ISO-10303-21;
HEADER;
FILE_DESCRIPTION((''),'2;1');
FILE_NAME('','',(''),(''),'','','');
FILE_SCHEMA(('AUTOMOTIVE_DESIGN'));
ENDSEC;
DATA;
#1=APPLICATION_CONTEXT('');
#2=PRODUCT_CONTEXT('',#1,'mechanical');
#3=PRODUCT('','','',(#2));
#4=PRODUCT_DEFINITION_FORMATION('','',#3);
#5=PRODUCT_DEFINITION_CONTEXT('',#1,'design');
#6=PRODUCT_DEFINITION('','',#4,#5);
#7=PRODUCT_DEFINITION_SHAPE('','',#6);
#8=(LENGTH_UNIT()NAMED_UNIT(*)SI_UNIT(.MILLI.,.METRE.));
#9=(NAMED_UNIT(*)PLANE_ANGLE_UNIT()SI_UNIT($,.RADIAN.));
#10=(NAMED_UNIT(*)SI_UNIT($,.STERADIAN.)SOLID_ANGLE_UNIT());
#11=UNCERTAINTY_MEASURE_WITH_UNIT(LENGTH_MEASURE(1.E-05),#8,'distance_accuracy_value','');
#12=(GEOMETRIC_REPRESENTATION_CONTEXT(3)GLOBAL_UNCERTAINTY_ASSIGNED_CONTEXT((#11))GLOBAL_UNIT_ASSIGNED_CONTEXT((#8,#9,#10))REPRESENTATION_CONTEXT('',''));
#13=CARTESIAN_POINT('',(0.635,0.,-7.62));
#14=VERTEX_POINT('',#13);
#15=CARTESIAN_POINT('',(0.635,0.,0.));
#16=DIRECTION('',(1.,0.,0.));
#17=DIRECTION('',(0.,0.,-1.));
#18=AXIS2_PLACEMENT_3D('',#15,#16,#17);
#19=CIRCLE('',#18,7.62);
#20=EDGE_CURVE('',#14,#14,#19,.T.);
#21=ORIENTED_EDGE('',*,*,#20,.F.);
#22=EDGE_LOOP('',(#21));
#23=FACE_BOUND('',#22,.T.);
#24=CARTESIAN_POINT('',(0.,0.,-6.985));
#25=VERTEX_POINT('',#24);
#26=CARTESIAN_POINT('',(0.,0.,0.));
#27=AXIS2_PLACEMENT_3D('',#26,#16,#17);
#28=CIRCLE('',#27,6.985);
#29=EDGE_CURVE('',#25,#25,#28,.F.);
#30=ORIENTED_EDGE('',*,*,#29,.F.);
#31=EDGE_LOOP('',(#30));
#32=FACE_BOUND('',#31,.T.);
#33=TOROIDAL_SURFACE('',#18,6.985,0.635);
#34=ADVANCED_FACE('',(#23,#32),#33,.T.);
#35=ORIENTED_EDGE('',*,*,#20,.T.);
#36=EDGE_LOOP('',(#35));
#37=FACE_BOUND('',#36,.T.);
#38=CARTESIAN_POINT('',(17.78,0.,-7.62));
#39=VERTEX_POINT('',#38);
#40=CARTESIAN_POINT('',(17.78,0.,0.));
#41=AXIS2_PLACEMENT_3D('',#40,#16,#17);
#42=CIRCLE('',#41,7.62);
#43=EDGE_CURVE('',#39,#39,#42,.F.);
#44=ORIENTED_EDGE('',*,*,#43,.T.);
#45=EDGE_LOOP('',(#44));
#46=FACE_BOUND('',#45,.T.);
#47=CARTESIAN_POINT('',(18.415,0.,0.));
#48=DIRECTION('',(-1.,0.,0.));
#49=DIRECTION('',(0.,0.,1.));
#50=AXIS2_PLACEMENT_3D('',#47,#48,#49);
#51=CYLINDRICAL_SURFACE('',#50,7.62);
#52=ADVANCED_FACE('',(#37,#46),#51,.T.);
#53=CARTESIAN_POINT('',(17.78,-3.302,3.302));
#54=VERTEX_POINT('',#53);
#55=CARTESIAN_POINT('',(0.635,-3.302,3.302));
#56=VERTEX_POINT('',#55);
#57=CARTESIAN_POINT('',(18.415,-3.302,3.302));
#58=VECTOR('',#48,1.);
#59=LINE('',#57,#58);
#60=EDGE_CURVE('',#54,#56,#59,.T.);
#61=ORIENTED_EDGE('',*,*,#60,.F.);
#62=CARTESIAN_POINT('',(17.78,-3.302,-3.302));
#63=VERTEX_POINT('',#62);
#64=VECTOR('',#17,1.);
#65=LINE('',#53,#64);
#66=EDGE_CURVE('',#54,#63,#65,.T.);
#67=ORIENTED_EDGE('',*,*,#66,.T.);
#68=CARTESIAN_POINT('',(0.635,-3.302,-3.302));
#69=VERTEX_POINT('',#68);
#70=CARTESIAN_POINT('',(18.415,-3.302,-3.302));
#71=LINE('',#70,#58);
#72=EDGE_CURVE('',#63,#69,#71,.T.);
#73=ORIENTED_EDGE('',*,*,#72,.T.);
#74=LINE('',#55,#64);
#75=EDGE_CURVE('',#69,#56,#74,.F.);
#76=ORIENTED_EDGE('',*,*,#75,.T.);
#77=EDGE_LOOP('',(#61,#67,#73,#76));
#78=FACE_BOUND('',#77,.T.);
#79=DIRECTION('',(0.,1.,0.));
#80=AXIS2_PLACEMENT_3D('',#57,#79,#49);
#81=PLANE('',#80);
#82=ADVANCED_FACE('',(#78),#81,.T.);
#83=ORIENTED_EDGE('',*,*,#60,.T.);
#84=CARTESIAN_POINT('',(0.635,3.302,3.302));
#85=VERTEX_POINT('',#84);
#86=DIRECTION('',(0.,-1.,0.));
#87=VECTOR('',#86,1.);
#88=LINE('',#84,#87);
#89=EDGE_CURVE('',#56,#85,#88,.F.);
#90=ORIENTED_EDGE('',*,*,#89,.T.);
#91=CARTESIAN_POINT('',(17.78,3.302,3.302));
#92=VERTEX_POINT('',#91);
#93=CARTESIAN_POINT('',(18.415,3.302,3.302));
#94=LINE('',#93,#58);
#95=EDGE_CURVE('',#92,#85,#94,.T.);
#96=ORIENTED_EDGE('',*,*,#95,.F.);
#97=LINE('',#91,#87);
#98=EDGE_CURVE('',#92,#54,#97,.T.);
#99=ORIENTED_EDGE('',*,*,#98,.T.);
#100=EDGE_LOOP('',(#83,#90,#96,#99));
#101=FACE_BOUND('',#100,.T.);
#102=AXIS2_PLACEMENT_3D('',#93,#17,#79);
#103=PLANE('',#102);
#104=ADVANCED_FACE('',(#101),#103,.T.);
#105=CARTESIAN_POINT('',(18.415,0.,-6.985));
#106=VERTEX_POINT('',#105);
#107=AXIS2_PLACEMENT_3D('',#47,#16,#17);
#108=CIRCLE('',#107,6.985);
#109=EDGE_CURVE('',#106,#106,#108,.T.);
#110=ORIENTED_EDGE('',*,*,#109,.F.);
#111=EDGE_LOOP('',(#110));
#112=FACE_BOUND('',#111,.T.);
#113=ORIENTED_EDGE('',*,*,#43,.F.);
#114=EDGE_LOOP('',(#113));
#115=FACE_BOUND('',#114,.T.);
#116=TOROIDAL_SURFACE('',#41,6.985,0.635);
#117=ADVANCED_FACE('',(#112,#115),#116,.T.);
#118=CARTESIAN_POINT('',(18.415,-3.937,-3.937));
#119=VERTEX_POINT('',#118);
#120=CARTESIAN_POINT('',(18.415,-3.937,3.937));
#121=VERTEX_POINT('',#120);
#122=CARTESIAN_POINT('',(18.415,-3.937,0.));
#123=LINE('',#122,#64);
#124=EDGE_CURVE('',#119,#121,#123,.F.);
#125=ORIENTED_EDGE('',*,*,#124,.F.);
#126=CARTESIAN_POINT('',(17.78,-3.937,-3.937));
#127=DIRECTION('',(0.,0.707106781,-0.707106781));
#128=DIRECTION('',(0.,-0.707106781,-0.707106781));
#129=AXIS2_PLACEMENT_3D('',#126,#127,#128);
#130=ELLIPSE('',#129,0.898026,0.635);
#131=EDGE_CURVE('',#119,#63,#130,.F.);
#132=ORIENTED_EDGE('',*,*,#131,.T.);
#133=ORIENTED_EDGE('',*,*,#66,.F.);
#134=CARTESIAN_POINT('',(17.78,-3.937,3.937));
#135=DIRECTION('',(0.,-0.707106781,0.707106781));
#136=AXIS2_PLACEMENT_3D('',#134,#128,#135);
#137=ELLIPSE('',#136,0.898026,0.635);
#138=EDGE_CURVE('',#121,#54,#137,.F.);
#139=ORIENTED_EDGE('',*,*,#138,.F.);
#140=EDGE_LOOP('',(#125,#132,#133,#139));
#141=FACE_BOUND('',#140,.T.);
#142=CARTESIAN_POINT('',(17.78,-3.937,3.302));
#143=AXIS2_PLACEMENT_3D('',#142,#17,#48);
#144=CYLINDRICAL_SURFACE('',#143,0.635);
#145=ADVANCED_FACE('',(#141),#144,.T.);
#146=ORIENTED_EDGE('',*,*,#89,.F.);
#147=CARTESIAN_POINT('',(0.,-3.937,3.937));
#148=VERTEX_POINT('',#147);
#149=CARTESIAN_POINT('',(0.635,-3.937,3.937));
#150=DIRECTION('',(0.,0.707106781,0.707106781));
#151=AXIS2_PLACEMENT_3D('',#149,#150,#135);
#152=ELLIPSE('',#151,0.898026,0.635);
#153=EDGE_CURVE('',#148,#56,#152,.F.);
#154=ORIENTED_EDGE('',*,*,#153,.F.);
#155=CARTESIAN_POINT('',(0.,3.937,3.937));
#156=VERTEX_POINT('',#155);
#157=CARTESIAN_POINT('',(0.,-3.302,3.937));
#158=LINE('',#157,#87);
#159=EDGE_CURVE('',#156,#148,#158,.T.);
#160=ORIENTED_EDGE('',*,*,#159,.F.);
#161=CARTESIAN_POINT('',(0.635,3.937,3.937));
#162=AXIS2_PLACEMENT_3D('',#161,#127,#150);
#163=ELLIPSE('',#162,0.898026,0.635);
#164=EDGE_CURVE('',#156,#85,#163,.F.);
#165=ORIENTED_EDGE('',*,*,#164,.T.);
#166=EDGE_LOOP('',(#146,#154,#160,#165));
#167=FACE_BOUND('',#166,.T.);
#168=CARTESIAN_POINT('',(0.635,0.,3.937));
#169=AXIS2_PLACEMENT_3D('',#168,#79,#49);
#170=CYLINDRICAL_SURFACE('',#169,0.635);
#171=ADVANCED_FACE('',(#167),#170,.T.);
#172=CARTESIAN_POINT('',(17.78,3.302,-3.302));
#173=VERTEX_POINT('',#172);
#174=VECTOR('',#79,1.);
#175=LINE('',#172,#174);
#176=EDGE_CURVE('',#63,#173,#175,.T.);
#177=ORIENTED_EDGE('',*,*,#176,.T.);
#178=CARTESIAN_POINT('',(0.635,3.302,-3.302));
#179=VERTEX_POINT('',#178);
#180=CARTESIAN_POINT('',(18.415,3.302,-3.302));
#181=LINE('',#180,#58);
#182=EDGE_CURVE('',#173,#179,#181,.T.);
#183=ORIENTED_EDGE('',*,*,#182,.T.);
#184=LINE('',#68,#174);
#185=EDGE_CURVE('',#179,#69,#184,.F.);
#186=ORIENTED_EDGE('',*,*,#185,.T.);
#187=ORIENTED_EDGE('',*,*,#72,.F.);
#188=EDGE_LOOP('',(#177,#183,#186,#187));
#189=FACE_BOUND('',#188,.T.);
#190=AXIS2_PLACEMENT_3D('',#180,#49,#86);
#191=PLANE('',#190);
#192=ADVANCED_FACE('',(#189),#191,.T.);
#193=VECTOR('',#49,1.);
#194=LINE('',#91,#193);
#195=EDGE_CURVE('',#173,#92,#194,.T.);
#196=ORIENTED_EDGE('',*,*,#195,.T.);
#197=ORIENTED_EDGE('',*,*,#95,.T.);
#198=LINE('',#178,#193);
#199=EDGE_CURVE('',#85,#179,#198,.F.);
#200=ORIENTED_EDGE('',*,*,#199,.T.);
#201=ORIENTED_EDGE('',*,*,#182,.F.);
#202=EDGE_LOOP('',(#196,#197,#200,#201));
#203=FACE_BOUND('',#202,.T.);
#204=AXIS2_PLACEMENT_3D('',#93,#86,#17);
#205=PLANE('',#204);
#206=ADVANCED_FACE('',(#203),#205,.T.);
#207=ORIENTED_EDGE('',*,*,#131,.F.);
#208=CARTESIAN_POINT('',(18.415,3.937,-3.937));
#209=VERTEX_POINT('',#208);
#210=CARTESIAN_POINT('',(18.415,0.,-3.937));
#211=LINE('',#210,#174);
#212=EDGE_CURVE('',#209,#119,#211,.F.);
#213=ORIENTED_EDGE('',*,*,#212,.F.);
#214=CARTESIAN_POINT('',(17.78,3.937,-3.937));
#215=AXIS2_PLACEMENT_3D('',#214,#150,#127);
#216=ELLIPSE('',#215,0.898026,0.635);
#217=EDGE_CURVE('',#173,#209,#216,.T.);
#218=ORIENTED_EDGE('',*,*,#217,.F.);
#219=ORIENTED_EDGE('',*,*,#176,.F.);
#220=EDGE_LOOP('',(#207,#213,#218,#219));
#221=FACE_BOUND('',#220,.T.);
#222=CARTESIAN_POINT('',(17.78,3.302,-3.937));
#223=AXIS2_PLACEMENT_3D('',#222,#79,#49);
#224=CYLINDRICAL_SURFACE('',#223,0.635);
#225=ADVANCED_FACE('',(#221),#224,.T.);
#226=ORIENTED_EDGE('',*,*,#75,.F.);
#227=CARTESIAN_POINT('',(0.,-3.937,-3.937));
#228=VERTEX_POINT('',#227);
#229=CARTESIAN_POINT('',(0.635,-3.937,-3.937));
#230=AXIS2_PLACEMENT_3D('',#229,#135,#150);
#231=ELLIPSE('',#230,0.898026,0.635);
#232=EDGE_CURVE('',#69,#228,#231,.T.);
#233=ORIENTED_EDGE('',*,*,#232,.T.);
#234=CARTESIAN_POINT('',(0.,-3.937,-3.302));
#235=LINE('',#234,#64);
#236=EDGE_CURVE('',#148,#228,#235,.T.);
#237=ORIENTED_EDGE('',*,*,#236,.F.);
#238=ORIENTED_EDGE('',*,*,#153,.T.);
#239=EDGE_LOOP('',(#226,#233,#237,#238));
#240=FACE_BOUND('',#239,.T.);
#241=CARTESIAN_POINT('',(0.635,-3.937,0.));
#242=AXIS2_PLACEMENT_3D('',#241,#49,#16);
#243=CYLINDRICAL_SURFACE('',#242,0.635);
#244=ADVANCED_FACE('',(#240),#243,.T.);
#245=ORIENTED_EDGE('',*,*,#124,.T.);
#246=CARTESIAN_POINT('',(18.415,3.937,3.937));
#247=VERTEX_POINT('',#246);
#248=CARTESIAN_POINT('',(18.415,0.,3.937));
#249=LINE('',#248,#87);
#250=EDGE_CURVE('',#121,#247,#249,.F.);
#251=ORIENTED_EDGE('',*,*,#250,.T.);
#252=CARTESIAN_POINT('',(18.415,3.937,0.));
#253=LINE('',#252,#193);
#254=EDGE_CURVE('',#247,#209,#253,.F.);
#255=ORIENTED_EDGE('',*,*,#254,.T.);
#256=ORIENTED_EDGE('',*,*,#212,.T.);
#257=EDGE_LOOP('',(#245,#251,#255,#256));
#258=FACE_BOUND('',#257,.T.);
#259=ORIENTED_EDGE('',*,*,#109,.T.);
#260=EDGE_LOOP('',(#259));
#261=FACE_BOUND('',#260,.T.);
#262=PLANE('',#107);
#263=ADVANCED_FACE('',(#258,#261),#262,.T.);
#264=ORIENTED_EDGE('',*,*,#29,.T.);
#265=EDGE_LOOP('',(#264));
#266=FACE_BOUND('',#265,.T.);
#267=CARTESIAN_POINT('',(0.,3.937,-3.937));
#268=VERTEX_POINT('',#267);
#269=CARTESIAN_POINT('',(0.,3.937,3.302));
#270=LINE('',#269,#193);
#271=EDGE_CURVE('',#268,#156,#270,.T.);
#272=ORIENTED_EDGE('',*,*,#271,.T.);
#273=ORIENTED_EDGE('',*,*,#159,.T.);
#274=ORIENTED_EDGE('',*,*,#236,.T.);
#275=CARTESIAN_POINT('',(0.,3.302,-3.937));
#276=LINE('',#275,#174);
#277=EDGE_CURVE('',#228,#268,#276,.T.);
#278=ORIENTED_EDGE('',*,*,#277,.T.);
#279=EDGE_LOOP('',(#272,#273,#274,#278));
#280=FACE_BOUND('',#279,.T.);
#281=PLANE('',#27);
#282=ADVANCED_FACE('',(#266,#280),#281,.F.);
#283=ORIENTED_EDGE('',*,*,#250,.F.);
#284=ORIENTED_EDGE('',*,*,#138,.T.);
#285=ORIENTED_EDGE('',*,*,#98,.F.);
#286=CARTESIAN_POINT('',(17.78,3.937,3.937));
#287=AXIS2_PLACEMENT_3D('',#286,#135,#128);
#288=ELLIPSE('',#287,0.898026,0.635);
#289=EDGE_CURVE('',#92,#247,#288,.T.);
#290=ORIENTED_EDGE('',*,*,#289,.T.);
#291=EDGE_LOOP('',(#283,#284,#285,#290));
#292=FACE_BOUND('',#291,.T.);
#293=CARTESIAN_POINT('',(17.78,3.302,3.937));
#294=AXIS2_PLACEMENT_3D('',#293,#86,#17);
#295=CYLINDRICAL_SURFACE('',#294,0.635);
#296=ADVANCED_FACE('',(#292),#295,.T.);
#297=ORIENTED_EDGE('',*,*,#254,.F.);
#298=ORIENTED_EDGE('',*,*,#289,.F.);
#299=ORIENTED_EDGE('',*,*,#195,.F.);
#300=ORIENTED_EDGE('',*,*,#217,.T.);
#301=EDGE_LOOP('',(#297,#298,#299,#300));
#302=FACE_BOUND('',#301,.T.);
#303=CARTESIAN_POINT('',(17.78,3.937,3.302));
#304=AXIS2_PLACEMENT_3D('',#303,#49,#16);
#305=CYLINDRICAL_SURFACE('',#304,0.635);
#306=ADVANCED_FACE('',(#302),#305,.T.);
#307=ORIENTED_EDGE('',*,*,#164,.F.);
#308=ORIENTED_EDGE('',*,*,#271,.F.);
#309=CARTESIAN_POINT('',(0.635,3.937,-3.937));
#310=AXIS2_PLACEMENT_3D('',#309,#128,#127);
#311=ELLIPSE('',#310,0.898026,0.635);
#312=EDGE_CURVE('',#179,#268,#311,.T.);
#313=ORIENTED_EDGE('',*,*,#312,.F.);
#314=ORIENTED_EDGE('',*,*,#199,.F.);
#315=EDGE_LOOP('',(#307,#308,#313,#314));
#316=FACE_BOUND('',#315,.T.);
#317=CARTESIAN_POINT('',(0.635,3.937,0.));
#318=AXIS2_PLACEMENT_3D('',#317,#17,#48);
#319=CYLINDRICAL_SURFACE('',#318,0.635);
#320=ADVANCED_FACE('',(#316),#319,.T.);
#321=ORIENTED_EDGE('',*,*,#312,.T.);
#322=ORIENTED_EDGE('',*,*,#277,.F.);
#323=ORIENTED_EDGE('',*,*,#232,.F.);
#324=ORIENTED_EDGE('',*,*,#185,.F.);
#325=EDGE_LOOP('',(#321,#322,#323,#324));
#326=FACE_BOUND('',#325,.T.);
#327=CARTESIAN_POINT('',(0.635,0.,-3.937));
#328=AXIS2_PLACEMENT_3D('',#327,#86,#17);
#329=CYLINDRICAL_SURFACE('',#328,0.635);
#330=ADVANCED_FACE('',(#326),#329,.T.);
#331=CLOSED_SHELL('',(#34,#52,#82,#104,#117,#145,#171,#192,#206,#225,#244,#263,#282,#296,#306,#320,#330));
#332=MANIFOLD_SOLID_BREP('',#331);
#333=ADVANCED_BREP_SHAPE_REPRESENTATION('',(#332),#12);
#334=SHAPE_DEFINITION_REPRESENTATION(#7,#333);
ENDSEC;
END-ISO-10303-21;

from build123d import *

# Parameters (mm, degrees)
SKETCH1_R           = 7.62
SKETCH1_W           = 6.604
SKETCH1_H           = 6.604
BOSS_EXTRUDE1_DEPTH = 18.415
FILLET1_R           = 0.635


with BuildPart() as part:
    # Sketch1 → Boss-Extrude1 (new body)
    with BuildSketch(Plane(origin=(0, 0, 0), x_dir=(0, 0, -1), z_dir=(1, 0, 0))):
        Circle(SKETCH1_R)
        Rectangle(SKETCH1_W, SKETCH1_H, mode=Mode.SUBTRACT)
    extrude(amount=BOSS_EXTRUDE1_DEPTH)

    # Fillet1
    fillet1_edges = [part.edges().sort_by_distance(p)[0] for p in [
        (18.415, 0, 3.302),
        (18.415, -3.302, 0),
        (0, 0, 7.62),
        (18.415, 0, 7.62),
        (0, 0, -3.302),
        (0, 3.302, 0),
        (0, 0, 3.302),
        (0, -3.302, 0),
        (18.415, 0, -3.302),
        (18.415, 3.302, 0),
    ]]
    fillet(fillet1_edges, radius=FILLET1_R)


solid = part.part
